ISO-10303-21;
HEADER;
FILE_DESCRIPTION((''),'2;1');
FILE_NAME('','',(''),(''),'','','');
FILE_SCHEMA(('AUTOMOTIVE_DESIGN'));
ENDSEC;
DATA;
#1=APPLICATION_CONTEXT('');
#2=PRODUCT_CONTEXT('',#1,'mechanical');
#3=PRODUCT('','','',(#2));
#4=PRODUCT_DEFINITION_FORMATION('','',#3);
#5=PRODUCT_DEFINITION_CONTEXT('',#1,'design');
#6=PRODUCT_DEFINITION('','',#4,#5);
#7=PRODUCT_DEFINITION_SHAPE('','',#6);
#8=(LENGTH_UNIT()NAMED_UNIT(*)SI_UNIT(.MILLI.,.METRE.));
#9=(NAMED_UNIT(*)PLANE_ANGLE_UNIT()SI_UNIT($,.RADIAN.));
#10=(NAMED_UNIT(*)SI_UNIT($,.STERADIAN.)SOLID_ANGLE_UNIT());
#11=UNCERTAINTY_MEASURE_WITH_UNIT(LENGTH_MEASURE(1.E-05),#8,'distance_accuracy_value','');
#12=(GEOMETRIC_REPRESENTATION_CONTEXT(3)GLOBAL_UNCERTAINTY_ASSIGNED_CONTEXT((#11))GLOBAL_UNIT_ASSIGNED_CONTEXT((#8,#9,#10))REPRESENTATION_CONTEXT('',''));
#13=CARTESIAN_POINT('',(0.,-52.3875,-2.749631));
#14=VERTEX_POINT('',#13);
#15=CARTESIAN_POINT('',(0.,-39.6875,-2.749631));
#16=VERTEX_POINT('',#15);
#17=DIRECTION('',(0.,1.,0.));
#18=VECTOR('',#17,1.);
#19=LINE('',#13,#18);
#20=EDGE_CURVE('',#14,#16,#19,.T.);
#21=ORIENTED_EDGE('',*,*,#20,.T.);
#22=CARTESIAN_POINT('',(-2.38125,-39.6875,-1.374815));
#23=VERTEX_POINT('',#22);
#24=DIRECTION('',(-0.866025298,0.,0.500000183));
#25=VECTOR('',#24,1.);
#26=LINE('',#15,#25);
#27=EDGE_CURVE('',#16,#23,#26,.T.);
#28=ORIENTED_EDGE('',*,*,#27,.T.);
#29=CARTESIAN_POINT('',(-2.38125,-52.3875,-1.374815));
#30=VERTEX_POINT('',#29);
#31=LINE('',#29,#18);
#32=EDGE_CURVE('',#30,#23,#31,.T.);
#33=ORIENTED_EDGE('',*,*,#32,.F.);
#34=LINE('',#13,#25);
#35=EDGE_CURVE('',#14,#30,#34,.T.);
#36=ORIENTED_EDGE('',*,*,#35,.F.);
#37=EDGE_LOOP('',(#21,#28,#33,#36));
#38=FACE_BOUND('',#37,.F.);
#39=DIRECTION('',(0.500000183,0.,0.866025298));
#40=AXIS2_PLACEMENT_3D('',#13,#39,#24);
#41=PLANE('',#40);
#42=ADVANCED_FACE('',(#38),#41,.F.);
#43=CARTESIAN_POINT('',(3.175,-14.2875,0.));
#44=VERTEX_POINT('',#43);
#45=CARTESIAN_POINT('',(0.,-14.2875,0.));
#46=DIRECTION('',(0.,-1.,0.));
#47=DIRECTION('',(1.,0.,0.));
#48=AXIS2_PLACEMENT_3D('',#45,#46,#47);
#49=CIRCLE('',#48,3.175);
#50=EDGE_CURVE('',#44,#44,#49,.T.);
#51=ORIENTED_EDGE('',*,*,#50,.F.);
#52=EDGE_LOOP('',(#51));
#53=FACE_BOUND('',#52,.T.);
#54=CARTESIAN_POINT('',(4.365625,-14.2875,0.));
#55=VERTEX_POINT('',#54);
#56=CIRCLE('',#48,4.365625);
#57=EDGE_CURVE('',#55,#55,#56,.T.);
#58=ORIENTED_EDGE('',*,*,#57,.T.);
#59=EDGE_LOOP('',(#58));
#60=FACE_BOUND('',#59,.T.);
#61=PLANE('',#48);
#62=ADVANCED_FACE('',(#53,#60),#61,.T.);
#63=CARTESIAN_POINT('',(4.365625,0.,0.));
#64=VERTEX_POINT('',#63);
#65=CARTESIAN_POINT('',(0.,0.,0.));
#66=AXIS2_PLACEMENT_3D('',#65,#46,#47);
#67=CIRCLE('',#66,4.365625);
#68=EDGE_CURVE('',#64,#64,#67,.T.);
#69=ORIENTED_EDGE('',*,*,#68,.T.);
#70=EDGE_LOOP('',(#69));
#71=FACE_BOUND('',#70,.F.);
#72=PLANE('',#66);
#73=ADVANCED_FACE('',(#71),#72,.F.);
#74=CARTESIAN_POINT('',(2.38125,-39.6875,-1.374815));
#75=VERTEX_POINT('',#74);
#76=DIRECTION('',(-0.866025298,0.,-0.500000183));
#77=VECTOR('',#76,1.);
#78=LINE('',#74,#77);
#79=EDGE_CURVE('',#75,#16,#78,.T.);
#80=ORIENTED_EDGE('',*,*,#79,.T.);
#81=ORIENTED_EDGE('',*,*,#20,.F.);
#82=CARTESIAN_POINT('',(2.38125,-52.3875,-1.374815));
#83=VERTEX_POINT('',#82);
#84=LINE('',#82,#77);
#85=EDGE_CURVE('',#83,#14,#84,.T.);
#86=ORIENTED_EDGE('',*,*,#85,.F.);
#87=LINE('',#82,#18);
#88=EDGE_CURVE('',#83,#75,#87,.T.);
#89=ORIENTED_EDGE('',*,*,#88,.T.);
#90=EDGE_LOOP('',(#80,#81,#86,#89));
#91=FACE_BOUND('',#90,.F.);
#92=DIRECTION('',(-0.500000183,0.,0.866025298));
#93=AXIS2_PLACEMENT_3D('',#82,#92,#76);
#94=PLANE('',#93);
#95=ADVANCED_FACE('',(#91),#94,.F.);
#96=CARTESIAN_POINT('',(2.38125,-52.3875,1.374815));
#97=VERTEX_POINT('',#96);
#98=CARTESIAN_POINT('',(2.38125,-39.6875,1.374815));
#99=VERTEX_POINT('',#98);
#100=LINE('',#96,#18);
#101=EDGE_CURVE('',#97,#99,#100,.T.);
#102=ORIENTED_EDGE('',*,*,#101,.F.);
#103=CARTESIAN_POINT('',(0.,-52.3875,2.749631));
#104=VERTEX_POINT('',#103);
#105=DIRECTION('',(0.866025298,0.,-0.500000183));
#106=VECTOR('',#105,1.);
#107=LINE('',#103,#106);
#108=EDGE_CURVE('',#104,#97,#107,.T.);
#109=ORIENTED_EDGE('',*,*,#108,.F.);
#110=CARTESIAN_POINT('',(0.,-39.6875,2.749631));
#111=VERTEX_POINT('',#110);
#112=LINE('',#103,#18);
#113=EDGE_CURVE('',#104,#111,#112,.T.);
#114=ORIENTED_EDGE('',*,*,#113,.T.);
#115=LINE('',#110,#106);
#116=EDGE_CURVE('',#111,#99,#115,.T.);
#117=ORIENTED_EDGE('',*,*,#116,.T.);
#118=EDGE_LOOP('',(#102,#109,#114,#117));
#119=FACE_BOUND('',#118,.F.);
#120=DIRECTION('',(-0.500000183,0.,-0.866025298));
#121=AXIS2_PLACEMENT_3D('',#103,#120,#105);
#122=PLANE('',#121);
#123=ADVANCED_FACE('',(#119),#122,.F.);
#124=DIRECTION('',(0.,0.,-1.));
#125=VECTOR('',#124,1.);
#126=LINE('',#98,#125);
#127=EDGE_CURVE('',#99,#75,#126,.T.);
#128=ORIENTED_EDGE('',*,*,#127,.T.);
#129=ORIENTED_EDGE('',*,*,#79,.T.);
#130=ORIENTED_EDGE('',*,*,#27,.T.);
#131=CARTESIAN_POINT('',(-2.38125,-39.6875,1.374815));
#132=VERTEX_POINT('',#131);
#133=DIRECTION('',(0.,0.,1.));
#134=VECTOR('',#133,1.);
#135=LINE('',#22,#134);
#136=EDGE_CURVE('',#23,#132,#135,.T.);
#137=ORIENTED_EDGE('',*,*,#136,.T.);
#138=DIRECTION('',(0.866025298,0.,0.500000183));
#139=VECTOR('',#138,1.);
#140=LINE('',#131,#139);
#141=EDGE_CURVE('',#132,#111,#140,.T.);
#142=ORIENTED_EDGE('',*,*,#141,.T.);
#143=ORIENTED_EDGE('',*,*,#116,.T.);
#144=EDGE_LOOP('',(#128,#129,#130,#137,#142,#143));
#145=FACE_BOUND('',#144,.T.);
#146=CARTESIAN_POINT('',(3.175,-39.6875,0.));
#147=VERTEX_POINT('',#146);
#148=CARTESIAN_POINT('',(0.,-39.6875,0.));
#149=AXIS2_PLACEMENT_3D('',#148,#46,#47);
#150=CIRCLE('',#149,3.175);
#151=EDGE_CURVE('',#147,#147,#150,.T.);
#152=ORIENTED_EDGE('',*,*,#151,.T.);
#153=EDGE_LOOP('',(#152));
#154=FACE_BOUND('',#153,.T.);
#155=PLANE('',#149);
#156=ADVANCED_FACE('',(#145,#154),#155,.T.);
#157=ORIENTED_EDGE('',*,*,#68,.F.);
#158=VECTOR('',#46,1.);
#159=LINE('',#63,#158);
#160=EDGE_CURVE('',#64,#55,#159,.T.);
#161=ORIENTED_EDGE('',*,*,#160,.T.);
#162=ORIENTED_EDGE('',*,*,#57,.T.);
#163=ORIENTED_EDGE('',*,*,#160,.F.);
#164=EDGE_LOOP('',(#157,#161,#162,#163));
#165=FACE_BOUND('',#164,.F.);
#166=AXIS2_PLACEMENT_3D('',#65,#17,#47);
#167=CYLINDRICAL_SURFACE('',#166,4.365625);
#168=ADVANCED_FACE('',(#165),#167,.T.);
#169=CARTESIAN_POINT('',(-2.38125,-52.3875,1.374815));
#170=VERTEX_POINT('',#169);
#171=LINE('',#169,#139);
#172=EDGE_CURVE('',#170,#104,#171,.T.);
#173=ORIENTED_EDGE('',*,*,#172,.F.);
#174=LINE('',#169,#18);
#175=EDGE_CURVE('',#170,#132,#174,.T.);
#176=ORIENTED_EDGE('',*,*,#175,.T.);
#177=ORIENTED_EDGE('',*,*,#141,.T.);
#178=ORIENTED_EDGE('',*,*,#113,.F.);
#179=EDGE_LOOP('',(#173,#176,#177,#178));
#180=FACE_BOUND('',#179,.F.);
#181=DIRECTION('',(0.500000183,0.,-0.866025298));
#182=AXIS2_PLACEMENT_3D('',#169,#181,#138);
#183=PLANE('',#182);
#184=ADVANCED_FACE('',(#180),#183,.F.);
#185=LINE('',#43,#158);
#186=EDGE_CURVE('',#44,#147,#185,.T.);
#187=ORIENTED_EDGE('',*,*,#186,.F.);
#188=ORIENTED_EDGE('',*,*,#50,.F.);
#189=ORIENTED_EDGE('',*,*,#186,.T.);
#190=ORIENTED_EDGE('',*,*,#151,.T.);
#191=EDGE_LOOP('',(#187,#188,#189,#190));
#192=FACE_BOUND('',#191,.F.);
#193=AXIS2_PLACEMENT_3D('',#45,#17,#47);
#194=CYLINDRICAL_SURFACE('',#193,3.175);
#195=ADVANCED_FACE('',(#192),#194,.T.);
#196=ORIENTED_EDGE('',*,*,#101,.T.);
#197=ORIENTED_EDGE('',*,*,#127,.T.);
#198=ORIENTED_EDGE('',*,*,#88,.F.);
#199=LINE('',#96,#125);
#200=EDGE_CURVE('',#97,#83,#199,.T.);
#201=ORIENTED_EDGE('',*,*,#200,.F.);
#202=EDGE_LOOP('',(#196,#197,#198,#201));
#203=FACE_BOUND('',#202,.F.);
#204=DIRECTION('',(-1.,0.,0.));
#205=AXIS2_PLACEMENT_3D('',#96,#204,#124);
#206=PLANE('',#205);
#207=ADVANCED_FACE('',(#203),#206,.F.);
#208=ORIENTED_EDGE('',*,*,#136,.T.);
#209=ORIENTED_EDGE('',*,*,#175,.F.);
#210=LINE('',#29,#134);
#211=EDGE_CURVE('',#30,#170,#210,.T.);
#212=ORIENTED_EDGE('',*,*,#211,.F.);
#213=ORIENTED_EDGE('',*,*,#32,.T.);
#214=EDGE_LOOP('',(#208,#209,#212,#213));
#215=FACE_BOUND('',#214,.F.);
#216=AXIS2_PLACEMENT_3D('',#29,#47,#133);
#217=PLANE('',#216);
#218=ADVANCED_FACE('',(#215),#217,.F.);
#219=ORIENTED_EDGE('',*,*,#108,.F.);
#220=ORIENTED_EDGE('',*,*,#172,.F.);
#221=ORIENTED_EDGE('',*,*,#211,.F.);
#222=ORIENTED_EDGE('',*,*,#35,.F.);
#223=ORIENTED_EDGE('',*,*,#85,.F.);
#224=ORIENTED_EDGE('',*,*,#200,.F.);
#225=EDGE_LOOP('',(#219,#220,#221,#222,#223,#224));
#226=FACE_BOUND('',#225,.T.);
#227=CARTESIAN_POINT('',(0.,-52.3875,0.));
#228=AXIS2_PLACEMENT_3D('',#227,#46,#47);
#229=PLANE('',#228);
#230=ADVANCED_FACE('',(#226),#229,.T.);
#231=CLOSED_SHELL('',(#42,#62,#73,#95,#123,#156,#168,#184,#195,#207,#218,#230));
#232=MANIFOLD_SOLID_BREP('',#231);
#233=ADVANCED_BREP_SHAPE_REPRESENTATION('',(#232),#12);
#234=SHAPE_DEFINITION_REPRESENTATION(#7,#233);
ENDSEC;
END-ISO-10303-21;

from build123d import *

# Parameters (mm, degrees)
F0_R     = 4.365625
F1_DEPTH = 14.2875
F2_R     = 3.175
F3_DEPTH = 38.1
F4_R     = 3.175
F5_DEPTH = 12.7


with BuildPart() as f1:
    # F0 (on Front) → F1 (new body)
    with BuildSketch(Plane.XZ):
        Circle(F0_R)
    extrude(amount=F1_DEPTH)

    # F2 (on face) → F3 (join)
    with BuildSketch(Plane.XZ.offset(14.2875)):
        Circle(F2_R)
    extrude(amount=F3_DEPTH)

    # F4 (on face) → F5 (cut)
    with BuildSketch(Plane.XZ.offset(52.3875)):
        Circle(F4_R)
        Polygon((0, -2.749631), (-2.38125, -1.374815), (-2.38125, 1.374815), (0, 2.749631), (2.38125, 1.374815), (2.38125, -1.374815), align=None, mode=Mode.SUBTRACT)
    extrude(amount=-F5_DEPTH, mode=Mode.SUBTRACT)


solid = f1.part
